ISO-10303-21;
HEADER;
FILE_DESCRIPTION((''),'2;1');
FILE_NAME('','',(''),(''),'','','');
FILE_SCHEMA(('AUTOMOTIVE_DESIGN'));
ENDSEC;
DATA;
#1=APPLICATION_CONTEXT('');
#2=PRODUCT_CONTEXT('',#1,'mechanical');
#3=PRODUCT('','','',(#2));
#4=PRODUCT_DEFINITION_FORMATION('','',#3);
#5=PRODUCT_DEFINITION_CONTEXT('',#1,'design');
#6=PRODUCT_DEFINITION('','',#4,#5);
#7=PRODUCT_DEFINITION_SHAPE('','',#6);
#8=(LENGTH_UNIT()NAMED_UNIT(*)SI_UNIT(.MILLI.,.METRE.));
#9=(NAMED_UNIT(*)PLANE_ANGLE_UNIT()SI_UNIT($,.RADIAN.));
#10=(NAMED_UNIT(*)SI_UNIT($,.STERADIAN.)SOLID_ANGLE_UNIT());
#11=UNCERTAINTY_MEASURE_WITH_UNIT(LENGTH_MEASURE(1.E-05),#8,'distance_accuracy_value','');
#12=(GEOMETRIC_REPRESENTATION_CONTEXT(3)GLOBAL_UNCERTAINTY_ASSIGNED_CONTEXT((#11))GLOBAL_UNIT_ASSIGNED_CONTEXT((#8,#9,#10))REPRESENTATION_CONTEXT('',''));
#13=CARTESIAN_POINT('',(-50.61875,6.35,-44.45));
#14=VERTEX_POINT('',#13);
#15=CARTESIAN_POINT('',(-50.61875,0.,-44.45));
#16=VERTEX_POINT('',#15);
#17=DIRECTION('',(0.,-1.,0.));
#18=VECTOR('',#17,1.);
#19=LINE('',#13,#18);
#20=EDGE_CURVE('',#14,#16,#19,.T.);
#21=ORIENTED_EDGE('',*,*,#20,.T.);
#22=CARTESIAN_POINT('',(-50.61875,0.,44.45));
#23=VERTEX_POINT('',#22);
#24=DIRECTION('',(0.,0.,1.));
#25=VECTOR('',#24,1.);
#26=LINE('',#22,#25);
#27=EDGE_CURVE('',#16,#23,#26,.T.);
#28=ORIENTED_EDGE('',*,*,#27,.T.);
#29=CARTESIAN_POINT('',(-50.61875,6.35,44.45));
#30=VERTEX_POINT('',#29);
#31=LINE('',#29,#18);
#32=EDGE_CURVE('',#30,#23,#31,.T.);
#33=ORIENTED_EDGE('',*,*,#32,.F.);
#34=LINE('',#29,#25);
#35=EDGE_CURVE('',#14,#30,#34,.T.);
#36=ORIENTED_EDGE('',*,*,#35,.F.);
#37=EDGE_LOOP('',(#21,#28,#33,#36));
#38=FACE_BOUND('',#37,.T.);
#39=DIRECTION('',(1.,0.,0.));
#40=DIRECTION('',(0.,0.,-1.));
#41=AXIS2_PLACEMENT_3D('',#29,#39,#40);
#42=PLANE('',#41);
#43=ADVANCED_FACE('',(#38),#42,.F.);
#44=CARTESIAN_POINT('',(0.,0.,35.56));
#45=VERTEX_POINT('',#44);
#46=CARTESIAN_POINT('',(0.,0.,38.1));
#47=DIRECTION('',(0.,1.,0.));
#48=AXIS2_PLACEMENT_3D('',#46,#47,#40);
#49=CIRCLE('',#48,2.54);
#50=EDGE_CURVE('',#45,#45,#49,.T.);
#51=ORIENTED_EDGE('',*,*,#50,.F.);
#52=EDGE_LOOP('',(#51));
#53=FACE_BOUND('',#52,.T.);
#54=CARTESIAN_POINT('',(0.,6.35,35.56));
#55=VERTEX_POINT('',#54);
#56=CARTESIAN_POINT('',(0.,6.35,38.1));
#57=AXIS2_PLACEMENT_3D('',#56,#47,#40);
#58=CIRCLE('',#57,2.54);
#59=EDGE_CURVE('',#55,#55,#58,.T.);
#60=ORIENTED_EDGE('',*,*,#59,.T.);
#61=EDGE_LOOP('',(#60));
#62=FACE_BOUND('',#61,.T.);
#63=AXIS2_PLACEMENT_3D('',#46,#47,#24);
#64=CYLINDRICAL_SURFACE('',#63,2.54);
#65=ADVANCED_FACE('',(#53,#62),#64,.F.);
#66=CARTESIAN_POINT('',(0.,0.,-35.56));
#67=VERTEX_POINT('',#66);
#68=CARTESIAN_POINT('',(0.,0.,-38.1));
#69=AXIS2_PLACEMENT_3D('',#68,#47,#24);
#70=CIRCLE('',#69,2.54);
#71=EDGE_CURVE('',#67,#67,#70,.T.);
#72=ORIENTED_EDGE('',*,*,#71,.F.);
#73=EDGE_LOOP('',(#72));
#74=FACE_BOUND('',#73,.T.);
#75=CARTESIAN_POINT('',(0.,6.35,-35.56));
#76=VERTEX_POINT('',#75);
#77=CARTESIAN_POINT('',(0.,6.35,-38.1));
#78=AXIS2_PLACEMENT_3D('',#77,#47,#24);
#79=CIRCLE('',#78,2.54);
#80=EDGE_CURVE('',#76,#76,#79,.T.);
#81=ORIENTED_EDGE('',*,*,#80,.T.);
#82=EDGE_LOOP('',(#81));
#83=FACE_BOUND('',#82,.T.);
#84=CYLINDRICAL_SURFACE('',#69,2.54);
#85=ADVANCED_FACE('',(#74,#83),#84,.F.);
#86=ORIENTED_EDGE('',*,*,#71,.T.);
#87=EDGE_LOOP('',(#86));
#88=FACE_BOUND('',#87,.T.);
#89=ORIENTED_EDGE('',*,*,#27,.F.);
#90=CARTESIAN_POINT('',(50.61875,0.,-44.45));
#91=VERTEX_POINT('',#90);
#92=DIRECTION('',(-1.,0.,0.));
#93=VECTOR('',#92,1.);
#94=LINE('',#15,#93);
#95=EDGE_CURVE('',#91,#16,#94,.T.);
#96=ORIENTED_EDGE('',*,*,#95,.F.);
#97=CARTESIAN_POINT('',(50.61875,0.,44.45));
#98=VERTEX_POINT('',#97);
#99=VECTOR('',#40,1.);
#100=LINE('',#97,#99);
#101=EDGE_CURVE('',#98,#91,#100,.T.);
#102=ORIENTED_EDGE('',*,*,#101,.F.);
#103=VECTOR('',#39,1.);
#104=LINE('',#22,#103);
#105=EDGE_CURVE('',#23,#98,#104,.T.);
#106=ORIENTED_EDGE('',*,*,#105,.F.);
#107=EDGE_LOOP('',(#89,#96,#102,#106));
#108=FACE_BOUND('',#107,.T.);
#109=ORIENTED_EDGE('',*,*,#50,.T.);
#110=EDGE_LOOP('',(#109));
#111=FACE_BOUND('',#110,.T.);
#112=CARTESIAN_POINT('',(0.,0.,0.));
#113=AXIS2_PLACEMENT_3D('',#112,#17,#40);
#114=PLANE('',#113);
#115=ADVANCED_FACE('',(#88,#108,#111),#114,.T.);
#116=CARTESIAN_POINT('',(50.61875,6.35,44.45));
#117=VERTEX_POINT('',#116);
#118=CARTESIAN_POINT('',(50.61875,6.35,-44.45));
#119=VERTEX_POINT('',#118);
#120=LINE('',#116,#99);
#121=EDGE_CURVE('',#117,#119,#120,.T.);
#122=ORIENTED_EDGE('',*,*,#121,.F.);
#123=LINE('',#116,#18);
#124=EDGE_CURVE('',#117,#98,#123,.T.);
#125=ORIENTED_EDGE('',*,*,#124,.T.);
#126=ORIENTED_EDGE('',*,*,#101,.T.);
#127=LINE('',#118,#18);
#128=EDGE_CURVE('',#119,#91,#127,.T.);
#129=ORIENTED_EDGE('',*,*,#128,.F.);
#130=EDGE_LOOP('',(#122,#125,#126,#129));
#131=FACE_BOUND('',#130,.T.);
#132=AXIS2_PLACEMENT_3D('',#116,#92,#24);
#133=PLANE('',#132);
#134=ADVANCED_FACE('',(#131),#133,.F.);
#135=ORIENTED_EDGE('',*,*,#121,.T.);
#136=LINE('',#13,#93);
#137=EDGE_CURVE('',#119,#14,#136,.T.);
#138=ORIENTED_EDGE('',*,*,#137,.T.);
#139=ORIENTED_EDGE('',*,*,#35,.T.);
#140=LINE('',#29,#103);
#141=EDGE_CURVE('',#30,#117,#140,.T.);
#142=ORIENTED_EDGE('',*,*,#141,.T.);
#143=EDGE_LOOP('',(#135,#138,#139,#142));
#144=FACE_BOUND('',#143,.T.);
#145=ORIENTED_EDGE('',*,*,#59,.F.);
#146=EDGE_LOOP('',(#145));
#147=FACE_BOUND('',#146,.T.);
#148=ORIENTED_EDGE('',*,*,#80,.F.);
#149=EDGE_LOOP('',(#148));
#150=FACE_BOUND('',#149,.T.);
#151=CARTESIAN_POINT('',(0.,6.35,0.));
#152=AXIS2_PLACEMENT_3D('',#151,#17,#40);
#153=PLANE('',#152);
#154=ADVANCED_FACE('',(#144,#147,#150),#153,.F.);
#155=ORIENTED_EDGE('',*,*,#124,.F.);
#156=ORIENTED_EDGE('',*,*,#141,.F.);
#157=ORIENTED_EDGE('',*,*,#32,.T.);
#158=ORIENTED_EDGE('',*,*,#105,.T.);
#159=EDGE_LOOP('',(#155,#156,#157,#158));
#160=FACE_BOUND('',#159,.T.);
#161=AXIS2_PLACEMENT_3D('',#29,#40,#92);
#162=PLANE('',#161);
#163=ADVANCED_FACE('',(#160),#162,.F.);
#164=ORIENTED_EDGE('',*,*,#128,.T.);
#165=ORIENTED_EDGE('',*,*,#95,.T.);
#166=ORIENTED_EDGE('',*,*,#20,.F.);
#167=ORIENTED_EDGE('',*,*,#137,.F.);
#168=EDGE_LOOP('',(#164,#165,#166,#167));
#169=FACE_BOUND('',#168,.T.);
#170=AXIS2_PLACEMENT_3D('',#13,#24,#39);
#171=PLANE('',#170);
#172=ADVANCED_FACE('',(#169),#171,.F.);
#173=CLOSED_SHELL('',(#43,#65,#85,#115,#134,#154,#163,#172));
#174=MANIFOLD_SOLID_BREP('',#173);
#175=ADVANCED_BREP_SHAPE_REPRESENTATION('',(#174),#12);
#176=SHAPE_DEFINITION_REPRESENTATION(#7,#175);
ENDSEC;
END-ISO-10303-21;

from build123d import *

# Parameters (mm, degrees)
SKETCH1_W           = 101.2375
SKETCH1_H           = 88.9
BOSS_EXTRUDE1_DEPTH = 6.35
SKETCH2_R           = 2.54
CUT_EXTRUDE1_DEPTH  = 68.66374843


with BuildPart() as part:
    # Sketch1 → Boss-Extrude1 (new body)
    with BuildSketch(Plane(origin=(0, 0, 0), x_dir=(1, 0, 0), z_dir=(0, 1, 0))):
        Rectangle(SKETCH1_W, SKETCH1_H)
    extrude(amount=BOSS_EXTRUDE1_DEPTH)

    # Sketch2 → Cut-Extrude1 (cut, through all)
    with BuildSketch(Plane(origin=(0, 6.35, 0), x_dir=(1, 0, 0), z_dir=(0, 1, 0))):
        with Locations(Location((0, 38.1, 0), (0, 0, 270))):
            Circle(SKETCH2_R)
        with Locations(Location((0, -38.1, 0), (0, 0, 90))):
            Circle(SKETCH2_R)
    extrude(amount=-CUT_EXTRUDE1_DEPTH, mode=Mode.SUBTRACT)


solid = part.part
